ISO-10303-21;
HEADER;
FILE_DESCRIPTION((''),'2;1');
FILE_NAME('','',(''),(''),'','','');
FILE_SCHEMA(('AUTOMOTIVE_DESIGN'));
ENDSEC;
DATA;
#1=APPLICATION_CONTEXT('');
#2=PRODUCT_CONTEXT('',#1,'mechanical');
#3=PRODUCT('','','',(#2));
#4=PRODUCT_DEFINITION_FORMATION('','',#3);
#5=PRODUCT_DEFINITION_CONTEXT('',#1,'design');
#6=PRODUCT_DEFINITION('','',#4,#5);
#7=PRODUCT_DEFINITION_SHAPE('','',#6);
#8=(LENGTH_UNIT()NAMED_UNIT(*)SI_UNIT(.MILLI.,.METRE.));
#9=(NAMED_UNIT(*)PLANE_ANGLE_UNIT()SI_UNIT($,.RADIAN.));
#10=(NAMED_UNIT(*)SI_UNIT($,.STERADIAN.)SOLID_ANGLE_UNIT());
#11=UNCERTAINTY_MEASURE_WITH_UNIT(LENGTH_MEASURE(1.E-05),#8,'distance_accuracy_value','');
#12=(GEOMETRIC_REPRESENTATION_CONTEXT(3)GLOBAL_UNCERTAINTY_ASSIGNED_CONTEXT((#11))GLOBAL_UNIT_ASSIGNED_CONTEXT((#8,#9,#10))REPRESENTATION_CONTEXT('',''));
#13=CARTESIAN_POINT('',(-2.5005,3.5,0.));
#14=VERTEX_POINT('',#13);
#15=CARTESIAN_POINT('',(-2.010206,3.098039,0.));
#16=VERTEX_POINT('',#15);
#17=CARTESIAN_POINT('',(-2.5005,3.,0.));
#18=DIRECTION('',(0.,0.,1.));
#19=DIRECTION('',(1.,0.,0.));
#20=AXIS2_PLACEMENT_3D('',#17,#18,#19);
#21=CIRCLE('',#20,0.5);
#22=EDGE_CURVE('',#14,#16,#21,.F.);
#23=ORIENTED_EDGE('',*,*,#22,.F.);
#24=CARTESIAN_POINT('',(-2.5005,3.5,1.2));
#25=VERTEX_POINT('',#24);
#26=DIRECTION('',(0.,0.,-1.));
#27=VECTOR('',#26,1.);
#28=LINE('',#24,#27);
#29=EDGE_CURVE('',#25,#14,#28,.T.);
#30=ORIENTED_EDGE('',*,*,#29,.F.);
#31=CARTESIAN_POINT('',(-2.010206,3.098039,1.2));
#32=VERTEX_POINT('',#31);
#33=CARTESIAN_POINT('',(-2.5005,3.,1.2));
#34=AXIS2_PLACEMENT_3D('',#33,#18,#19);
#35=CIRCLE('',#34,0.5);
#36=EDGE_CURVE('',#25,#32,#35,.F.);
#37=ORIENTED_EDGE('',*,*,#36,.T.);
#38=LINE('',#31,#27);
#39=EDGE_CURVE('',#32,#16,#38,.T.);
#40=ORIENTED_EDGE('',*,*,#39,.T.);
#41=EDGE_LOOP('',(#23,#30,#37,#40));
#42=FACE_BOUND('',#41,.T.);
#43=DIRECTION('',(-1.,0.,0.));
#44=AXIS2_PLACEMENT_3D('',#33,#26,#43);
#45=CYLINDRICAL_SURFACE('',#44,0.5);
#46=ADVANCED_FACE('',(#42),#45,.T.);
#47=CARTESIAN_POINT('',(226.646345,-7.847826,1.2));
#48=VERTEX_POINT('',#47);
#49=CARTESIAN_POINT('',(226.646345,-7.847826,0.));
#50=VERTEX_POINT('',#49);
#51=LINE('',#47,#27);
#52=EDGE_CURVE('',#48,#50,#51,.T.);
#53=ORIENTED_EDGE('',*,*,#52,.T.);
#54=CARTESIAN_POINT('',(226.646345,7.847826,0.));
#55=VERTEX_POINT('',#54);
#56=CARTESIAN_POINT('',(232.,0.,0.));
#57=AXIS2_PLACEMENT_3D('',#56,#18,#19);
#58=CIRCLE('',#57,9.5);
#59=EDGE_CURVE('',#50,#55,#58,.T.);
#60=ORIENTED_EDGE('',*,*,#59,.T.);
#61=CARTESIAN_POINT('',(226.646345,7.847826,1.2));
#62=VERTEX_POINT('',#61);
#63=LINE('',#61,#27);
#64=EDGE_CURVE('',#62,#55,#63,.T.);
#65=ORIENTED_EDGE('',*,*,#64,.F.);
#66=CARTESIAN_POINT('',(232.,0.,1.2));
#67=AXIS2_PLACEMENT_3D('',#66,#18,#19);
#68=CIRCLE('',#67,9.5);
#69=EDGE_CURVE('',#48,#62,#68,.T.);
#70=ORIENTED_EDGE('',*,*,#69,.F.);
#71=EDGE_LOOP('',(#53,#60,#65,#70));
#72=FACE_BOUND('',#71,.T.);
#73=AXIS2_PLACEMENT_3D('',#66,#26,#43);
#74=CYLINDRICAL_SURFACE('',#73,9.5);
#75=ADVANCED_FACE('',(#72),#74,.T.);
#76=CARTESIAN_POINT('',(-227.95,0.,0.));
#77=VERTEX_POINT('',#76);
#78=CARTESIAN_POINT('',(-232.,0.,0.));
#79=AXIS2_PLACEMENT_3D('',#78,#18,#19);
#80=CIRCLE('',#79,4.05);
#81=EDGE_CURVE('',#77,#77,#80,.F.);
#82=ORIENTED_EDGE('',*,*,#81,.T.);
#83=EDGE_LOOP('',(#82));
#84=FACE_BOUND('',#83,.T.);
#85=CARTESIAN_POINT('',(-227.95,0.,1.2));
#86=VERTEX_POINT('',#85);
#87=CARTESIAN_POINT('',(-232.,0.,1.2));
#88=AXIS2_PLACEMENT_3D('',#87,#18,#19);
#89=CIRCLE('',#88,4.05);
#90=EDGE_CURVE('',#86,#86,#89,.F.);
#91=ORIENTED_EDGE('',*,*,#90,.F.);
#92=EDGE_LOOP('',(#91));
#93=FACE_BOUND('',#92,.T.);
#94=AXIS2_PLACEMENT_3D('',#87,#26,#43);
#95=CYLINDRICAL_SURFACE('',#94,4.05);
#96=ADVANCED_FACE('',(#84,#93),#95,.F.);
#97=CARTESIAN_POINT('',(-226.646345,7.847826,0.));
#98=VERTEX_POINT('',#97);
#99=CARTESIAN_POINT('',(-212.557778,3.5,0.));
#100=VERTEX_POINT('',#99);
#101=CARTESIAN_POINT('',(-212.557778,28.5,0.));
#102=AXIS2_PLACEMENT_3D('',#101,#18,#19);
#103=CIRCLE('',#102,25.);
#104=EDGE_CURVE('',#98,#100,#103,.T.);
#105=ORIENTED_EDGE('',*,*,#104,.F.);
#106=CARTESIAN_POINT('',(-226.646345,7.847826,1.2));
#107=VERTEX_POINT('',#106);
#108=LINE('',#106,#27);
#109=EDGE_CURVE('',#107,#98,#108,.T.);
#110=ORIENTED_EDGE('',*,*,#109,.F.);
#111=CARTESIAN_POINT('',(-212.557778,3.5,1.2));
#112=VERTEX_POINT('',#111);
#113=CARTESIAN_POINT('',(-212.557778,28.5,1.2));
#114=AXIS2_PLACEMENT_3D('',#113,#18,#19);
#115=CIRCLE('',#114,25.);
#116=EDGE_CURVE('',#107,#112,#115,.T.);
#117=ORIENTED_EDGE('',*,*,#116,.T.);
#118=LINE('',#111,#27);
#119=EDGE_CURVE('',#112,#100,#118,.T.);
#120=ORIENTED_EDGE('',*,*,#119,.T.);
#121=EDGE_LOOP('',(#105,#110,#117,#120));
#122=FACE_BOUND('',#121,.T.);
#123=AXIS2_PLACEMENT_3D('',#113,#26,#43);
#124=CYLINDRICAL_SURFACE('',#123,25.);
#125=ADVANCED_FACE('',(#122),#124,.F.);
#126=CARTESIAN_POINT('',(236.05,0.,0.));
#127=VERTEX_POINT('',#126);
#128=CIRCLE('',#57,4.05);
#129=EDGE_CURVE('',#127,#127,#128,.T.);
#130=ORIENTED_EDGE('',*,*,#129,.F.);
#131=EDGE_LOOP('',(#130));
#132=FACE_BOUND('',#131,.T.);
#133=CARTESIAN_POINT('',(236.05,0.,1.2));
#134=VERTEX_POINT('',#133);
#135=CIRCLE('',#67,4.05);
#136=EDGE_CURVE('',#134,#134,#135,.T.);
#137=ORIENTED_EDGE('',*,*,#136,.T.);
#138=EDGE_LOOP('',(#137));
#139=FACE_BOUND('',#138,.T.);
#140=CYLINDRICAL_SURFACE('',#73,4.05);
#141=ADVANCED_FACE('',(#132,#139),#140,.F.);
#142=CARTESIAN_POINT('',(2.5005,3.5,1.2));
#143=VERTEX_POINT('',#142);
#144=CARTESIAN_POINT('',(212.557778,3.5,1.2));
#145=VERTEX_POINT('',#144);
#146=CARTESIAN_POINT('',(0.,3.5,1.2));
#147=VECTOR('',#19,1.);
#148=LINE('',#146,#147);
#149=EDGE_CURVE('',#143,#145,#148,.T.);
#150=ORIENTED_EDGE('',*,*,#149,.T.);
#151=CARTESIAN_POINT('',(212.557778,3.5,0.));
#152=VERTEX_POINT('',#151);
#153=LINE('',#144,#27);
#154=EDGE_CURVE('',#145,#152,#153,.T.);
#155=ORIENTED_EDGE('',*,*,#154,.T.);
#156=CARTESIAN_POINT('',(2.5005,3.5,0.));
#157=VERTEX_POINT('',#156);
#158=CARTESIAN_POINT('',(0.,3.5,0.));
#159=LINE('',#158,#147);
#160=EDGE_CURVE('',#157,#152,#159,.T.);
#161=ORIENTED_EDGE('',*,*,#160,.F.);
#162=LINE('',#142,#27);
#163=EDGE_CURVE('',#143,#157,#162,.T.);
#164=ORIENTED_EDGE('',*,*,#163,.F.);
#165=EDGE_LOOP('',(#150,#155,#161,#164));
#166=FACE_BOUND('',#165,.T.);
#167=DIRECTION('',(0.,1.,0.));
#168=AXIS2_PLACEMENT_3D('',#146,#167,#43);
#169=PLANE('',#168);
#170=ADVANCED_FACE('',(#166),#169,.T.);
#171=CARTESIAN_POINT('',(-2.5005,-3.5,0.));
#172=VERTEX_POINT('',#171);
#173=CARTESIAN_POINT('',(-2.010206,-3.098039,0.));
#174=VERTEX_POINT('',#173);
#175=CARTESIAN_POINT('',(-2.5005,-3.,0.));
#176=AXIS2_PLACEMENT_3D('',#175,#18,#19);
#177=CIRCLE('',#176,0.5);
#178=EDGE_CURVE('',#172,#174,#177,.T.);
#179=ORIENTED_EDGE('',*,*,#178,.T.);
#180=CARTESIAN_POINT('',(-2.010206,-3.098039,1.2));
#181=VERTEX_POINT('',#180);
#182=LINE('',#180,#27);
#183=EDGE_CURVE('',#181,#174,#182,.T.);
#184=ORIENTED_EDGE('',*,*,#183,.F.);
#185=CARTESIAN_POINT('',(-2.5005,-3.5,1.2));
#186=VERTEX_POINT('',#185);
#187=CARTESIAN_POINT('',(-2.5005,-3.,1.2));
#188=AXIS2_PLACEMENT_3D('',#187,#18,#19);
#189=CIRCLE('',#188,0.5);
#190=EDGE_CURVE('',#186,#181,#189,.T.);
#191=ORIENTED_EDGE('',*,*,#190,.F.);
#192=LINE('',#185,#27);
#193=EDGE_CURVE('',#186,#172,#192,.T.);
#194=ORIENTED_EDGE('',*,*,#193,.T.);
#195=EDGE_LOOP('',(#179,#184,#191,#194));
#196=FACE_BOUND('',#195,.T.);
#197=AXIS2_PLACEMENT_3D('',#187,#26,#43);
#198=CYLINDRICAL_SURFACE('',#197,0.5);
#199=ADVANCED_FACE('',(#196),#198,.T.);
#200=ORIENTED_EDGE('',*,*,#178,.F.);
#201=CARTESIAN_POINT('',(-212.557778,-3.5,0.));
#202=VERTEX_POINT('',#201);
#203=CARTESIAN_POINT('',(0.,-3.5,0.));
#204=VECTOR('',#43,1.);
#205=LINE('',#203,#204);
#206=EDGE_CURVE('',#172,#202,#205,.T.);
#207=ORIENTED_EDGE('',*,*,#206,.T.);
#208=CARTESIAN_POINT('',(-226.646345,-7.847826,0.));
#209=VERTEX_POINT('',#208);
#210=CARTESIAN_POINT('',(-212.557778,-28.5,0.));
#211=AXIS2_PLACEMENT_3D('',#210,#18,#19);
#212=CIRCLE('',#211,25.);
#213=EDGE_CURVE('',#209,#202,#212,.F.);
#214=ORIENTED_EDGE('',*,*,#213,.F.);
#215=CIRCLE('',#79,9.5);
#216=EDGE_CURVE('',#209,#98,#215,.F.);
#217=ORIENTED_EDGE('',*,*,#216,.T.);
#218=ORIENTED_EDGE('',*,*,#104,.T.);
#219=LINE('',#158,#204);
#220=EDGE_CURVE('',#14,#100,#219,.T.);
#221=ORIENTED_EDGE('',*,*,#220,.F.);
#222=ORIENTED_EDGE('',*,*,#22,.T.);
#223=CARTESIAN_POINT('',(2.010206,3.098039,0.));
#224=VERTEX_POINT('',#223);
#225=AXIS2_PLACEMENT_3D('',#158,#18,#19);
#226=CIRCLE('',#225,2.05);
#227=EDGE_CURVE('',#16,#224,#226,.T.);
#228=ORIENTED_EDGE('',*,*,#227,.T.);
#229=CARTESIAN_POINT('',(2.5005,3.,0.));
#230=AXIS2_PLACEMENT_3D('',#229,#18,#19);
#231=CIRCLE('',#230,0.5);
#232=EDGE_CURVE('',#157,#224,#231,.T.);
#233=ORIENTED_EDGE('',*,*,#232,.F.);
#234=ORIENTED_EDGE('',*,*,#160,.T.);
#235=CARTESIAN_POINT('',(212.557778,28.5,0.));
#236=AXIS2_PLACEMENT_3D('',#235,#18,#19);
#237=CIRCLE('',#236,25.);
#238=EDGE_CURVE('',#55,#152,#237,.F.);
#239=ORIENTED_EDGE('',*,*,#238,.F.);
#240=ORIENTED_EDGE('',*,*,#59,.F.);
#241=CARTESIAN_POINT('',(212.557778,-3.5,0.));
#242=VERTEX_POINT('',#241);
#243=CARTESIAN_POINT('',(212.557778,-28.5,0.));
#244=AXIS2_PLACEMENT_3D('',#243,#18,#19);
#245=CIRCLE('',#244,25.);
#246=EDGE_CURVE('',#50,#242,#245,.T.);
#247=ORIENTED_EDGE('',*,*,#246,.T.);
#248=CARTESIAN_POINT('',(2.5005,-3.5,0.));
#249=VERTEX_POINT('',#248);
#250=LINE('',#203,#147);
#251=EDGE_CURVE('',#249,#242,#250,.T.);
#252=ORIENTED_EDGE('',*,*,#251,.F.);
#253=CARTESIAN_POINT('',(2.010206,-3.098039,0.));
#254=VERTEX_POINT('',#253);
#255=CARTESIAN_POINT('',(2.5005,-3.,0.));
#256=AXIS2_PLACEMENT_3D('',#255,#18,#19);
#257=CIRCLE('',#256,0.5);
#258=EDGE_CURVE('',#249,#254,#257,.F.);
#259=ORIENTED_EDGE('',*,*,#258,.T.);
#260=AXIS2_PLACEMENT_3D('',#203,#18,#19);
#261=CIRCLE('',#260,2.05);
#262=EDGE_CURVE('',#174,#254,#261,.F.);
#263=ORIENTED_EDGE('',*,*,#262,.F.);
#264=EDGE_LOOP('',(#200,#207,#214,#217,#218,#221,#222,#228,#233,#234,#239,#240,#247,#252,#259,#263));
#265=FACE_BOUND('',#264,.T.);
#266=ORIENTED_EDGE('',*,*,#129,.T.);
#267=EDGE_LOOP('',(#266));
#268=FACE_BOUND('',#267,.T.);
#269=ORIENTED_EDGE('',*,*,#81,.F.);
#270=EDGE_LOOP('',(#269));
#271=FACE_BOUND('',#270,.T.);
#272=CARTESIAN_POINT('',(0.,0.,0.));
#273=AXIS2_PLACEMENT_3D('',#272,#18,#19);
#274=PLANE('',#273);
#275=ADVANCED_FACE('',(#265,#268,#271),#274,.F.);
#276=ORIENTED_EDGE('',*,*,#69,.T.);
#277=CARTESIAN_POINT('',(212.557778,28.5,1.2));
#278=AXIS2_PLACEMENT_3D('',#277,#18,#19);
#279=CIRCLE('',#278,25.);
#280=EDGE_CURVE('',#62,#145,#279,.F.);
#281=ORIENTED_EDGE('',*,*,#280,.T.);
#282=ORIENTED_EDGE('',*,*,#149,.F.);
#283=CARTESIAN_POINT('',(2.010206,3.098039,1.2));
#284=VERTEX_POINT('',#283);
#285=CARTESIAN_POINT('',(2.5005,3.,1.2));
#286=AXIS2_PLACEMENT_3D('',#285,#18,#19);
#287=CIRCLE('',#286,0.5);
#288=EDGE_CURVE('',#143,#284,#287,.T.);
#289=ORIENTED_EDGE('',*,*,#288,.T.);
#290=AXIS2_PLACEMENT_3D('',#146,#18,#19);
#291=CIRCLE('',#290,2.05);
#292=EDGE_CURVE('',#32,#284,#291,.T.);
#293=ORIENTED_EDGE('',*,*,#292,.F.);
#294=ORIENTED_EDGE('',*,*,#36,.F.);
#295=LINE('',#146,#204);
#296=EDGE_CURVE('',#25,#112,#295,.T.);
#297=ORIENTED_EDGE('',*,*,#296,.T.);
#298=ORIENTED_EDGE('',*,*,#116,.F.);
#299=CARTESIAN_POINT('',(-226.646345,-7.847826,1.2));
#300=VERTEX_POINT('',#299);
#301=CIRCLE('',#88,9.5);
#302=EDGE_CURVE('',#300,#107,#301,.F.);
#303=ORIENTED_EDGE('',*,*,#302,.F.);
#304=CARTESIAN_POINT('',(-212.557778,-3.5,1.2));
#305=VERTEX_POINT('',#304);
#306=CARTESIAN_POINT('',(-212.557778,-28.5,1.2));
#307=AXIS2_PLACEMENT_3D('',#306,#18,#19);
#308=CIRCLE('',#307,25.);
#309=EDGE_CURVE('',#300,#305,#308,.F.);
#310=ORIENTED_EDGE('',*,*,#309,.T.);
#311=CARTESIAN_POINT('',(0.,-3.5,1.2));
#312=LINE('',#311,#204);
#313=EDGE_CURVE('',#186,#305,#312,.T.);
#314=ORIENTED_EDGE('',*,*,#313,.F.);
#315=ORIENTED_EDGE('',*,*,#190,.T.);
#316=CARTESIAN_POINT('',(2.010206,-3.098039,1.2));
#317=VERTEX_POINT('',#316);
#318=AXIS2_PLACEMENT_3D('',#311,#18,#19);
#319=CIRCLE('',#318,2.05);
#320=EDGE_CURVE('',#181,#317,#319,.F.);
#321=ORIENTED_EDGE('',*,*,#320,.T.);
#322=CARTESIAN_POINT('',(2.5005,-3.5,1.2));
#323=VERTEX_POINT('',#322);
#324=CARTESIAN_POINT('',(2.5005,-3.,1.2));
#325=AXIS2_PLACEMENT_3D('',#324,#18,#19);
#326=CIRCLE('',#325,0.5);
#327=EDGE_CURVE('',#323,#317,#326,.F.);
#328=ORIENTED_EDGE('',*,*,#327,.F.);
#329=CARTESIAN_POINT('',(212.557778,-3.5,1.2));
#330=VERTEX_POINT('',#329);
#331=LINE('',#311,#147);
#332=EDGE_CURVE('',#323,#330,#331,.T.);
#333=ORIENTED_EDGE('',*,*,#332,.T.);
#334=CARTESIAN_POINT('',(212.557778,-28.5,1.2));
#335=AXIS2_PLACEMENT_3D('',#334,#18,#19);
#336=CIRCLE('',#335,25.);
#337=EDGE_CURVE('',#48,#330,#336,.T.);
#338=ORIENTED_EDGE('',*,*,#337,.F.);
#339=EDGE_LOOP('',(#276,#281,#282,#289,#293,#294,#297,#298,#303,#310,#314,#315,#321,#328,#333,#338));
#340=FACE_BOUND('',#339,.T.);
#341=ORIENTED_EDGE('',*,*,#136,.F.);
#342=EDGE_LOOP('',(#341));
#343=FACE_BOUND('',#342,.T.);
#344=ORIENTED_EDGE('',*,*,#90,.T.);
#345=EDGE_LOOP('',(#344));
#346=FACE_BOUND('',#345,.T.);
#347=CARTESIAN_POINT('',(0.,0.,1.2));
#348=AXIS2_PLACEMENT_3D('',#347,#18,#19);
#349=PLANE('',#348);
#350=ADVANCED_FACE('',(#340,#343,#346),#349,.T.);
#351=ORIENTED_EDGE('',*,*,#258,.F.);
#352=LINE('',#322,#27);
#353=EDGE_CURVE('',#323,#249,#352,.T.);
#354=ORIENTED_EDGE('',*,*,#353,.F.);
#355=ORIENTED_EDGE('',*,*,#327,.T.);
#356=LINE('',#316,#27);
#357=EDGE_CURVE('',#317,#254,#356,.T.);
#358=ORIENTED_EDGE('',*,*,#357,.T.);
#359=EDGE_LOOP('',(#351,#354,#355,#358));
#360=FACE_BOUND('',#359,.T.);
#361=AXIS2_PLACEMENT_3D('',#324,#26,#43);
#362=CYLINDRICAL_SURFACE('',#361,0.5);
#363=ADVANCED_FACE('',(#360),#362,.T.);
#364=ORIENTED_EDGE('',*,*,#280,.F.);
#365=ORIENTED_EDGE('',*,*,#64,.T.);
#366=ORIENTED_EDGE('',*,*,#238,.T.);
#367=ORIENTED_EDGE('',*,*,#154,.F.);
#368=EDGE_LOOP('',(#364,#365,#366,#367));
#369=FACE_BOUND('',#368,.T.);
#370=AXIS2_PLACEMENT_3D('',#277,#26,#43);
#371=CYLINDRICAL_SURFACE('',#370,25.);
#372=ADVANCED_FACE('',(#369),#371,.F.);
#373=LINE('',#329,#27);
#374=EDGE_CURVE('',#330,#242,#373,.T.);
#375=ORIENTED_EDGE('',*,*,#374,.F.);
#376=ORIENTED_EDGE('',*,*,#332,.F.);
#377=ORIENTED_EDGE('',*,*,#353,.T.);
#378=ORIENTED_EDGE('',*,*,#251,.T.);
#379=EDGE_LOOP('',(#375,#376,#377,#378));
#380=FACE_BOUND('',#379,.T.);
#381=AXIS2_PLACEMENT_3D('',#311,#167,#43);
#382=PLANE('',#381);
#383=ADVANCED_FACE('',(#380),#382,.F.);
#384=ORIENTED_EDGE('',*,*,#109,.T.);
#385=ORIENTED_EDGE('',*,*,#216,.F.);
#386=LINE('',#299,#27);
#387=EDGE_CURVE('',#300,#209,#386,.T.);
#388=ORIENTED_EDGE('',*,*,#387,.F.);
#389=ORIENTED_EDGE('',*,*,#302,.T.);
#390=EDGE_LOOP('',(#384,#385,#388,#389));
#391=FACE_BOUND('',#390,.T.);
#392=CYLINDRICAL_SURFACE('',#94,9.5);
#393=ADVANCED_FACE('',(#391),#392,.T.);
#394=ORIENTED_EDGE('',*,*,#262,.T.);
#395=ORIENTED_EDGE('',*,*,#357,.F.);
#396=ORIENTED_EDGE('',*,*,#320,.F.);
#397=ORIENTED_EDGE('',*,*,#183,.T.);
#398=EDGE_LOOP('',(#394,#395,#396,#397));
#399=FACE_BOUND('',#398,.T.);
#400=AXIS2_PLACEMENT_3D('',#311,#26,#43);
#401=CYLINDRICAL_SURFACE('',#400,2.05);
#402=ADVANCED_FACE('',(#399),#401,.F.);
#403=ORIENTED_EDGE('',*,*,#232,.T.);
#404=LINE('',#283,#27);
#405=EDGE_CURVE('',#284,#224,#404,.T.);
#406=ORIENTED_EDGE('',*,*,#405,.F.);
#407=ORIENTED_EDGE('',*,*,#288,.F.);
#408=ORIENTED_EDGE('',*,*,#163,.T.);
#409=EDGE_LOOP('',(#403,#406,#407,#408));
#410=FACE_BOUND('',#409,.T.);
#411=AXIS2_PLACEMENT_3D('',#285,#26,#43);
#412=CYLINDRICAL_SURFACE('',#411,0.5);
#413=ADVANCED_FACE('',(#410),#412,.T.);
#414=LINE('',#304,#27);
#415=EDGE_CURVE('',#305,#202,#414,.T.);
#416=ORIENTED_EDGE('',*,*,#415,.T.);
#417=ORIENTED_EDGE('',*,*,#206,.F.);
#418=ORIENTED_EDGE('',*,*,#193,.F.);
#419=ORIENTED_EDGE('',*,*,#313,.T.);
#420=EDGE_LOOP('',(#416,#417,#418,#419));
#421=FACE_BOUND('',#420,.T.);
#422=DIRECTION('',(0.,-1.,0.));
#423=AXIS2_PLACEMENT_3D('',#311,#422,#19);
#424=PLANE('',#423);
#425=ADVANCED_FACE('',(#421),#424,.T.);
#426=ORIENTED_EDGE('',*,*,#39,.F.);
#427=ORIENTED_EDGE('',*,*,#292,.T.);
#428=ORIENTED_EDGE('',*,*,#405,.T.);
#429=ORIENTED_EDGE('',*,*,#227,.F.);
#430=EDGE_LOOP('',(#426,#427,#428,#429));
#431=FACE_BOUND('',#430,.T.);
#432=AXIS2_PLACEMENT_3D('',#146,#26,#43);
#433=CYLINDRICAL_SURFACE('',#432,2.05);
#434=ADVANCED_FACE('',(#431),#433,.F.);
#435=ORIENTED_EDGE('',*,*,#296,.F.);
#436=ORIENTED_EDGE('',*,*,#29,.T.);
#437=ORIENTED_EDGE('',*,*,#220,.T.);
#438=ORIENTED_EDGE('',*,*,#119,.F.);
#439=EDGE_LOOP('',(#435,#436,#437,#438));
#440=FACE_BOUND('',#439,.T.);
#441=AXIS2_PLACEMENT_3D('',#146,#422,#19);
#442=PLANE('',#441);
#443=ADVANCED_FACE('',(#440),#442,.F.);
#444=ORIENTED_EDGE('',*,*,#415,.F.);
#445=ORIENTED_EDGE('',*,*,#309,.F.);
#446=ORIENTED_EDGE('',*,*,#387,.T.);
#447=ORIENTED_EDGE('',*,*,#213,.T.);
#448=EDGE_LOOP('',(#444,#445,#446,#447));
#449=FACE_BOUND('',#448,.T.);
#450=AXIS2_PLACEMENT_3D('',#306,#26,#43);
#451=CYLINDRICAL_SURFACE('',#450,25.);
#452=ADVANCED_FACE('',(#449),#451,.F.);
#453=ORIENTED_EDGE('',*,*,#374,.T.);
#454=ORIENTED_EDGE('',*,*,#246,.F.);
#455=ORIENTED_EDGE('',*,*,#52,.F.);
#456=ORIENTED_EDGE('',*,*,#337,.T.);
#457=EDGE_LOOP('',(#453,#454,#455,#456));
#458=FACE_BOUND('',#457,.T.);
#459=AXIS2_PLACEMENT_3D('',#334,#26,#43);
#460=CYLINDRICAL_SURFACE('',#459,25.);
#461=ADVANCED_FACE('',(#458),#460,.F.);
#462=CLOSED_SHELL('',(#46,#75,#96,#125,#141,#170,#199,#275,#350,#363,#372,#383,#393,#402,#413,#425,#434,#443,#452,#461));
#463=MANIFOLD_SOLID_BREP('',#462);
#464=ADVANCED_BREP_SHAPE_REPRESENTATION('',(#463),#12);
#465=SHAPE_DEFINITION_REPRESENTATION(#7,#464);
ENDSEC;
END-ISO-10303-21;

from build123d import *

# Parameters (mm, degrees)
SKETCH1_R           = 4.05
BOSS_EXTRUDE1_DEPTH = 1.2


with BuildPart() as part:
    # Sketch1 → Boss-Extrude1 (new body)
    with BuildSketch(Plane.XY):
        with BuildLine():
            Line((2.50049995, 3.5), (212.557777905, 3.5))
            ThreePointArc((212.557777905, 3.5), (219.929875713, 4.611672852), (226.64634464, 7.847826087))
            ThreePointArc((226.64634464, 7.847826087), (241.5, 0), (226.64634464, -7.847826087))
            ThreePointArc((226.64634464, -7.847826087), (219.929875713, -4.611672852), (212.557777905, -3.5))
            Line((212.557777905, -3.5), (2.50049995, -3.5))
            ThreePointArc((2.50049995, -3.5), (2.183498063, -3.386664976), (2.010205842, -3.098039216))
            ThreePointArc((2.010205842, -3.098039216), (0, -1.45), (-2.010205842, -3.098039216))
            ThreePointArc((-2.010205842, -3.098039216), (-2.183498063, -3.386664976), (-2.50049995, -3.5))
            Line((-2.50049995, -3.5), (-212.557777905, -3.5))
            ThreePointArc((-212.557777905, -3.5), (-219.929875713, -4.611672852), (-226.64634464, -7.847826087))
            ThreePointArc((-226.64634464, -7.847826087), (-241.5, 0), (-226.64634464, 7.847826087))
            ThreePointArc((-226.64634464, 7.847826087), (-219.929875713, 4.611672852), (-212.557777905, 3.5))
            Line((-212.557777905, 3.5), (-2.50049995, 3.5))
            ThreePointArc((-2.50049995, 3.5), (-2.183498063, 3.386664976), (-2.010205842, 3.098039216))
            ThreePointArc((-2.010205842, 3.098039216), (0, 1.45), (2.010205842, 3.098039216))
            ThreePointArc((2.010205842, 3.098039216), (2.183498063, 3.386664976), (2.50049995, 3.5))
        make_face()
        with Locations((232, 0)):
            Circle(SKETCH1_R, mode=Mode.SUBTRACT)
        with Locations((-232, 0)):
            Circle(SKETCH1_R, mode=Mode.SUBTRACT)
    extrude(amount=BOSS_EXTRUDE1_DEPTH)


solid = part.part
